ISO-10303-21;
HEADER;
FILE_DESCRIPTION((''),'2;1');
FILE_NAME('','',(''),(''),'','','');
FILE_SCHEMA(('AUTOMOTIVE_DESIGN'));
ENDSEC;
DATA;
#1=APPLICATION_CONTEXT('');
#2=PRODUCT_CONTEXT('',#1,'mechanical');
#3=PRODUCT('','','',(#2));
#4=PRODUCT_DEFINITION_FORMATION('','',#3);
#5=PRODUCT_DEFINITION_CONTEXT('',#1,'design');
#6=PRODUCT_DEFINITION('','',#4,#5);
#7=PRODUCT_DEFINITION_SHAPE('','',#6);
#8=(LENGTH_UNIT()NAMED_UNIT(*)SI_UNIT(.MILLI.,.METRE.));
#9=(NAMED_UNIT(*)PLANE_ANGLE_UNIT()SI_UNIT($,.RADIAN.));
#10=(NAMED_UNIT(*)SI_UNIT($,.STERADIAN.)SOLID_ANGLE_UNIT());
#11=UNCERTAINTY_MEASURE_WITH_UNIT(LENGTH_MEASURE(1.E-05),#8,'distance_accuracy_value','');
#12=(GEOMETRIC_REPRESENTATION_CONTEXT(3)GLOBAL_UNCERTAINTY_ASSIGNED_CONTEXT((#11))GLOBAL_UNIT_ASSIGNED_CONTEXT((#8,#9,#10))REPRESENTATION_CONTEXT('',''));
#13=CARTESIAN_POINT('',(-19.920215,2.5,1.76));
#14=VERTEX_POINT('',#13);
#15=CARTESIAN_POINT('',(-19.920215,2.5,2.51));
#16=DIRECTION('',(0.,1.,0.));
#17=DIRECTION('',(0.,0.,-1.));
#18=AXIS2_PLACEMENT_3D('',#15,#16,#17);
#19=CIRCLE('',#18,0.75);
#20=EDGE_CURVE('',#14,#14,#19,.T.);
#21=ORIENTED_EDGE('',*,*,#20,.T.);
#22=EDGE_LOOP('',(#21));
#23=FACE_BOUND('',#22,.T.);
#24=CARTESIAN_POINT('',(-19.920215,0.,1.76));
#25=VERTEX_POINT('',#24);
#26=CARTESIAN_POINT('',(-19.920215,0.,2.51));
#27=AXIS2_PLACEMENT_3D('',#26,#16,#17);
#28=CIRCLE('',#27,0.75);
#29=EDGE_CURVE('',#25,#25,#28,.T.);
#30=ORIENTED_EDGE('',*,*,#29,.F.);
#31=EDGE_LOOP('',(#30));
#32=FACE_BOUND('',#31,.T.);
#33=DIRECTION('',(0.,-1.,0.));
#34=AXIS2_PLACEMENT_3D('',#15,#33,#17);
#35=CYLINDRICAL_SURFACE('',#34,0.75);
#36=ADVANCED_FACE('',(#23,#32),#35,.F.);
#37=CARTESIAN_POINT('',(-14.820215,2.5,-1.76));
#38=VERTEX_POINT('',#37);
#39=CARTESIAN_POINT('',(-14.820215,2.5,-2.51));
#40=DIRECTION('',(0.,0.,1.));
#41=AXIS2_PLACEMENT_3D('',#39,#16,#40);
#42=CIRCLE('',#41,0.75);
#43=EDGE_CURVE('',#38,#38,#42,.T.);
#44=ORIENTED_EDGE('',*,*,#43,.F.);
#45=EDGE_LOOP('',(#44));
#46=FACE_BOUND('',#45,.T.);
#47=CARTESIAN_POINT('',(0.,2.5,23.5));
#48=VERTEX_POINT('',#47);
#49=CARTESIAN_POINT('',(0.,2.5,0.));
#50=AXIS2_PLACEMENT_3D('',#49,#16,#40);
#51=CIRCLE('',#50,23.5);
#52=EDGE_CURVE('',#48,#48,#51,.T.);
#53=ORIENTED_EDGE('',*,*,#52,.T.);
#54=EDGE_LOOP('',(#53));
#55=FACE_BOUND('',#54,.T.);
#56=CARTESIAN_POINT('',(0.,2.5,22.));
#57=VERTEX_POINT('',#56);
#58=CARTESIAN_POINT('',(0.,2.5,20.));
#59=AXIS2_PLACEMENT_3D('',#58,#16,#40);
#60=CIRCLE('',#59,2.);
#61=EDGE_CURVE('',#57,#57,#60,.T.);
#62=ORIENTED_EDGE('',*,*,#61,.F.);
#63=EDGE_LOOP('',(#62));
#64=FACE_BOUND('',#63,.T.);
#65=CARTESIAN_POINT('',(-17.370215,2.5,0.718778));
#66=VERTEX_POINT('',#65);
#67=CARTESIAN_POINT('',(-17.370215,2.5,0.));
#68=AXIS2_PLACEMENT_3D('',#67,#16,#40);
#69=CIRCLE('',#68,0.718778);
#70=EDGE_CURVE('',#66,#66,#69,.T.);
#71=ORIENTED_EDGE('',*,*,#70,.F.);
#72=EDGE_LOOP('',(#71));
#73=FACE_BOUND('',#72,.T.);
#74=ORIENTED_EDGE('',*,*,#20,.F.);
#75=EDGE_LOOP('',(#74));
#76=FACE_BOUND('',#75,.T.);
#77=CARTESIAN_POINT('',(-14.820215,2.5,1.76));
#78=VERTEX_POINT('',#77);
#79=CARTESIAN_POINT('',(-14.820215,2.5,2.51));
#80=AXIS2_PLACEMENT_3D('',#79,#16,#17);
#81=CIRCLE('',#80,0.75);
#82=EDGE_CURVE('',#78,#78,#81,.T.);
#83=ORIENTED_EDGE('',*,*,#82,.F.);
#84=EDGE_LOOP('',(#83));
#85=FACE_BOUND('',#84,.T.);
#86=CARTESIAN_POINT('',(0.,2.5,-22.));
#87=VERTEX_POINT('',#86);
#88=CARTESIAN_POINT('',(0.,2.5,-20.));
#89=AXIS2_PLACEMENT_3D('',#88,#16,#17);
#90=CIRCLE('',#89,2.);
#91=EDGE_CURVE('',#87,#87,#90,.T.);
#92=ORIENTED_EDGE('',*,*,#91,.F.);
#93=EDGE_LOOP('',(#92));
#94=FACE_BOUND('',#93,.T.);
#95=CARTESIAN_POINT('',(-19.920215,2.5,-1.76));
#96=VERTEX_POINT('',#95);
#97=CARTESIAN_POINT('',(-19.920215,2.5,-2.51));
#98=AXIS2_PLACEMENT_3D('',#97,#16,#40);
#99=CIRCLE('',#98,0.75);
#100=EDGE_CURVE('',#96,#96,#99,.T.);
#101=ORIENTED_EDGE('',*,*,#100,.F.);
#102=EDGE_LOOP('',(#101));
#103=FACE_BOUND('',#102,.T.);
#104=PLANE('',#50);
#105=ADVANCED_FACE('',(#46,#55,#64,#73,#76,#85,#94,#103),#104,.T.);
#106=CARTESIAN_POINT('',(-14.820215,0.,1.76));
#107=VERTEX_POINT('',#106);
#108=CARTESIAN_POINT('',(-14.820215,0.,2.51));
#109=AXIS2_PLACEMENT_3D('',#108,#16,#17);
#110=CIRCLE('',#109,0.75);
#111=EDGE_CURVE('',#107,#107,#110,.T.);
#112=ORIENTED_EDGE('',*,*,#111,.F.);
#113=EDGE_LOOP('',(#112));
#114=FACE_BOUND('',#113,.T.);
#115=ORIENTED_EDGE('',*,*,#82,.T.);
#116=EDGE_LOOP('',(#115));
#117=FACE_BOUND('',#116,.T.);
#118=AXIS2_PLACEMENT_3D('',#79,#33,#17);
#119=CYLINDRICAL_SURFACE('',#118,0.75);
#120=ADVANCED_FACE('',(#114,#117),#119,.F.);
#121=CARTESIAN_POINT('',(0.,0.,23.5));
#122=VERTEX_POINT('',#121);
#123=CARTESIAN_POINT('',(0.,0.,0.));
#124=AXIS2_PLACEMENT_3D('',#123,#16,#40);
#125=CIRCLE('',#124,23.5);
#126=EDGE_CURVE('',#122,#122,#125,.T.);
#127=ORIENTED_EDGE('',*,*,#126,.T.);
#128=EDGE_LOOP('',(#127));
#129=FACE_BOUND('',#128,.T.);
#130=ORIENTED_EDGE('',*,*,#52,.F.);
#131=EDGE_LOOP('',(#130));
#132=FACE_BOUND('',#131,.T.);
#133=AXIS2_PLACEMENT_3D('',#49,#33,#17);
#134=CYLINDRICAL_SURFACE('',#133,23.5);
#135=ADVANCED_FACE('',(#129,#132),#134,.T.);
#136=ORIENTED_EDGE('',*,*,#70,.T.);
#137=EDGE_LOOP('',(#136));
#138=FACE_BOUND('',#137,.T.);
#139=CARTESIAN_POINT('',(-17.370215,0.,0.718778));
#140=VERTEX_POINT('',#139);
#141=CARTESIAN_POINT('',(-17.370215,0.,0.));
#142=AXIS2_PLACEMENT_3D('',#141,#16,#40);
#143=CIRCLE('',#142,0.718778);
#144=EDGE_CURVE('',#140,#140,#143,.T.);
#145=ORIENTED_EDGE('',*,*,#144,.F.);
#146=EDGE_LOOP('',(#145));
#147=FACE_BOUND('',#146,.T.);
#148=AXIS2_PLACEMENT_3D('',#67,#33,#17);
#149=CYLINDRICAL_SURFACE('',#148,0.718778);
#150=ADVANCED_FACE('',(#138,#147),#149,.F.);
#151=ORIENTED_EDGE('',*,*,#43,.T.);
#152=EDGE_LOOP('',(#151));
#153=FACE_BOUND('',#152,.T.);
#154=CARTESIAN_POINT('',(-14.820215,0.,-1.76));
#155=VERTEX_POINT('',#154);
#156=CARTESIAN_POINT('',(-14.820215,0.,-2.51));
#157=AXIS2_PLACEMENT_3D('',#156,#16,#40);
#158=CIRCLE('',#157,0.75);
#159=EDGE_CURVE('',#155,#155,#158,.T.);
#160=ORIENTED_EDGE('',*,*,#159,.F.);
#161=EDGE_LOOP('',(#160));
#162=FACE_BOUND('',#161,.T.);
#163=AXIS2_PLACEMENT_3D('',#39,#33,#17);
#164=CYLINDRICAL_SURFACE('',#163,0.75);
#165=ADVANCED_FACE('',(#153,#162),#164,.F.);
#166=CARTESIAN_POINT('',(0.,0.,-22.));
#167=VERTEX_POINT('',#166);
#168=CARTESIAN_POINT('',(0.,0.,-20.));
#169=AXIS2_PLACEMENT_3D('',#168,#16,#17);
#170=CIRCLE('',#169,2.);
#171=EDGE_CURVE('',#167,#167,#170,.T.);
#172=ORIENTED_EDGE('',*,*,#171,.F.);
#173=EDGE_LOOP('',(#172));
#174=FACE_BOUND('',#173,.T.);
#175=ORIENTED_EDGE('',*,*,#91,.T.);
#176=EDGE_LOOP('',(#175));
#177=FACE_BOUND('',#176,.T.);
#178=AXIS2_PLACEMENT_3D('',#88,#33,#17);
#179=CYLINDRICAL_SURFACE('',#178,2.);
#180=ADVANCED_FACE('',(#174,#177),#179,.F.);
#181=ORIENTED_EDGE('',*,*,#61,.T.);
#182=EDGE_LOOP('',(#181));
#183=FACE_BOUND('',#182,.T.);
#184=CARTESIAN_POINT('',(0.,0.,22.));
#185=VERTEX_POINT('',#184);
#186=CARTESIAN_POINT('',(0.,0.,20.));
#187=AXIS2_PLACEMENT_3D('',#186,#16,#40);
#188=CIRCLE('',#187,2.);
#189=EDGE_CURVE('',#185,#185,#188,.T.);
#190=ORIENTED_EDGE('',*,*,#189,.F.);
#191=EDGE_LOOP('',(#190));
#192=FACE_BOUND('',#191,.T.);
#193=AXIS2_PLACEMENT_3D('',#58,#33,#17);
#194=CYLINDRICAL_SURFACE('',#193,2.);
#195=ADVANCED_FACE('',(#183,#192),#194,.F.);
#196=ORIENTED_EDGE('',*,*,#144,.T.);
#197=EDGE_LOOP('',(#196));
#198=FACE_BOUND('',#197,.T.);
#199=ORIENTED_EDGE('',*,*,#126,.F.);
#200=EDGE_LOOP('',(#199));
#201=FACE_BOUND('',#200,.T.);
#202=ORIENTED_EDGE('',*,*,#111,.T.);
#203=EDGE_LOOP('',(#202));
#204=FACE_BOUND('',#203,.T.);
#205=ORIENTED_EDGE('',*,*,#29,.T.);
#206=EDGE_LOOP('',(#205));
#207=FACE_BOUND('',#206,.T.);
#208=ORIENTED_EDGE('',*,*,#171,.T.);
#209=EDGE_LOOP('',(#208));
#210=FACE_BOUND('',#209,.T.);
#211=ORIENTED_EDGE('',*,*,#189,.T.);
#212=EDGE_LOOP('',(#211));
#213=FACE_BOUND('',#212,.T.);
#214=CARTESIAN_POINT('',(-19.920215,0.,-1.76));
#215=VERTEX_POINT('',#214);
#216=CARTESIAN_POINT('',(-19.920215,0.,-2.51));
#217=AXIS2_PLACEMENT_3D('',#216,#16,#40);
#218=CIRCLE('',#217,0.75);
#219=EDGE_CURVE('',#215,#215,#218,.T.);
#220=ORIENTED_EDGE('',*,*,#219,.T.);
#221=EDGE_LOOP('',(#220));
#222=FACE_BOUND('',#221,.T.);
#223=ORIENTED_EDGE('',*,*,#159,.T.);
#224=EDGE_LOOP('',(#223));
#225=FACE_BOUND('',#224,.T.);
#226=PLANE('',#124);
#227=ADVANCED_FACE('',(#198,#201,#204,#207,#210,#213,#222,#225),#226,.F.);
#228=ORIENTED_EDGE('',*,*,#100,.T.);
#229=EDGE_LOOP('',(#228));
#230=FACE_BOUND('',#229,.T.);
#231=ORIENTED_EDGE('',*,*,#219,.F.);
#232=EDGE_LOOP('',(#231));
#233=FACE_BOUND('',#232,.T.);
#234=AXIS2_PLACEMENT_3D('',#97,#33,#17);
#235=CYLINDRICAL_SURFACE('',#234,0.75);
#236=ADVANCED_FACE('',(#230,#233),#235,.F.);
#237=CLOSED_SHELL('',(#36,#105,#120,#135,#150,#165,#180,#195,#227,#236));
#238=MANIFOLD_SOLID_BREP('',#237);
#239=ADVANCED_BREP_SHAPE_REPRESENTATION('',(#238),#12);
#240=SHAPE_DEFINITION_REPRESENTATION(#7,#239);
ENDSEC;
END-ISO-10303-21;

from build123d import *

# Parameters (mm, degrees)
ESBO_O1_R                = 23.5
ESBO_O1_R_2              = 2
ESBO_O1_R_3              = 0.75
ESBO_O1_R_4              = 0.718777801
RESSALTO_EXTRUS_O1_DEPTH = 2.5


with BuildPart() as part:
    # Esboço1 → Ressalto-extrusão1 (new body)
    with BuildSketch(Plane(origin=(0, 0, 0), x_dir=(1, 0, 0), z_dir=(0, 1, 0))):
        with Locations(Location((0, 0, 0), (0, 0, 270))):
            Circle(ESBO_O1_R)
        with Locations(Location((0, -20, 0), (0, 0, 270))):
            Circle(ESBO_O1_R_2, mode=Mode.SUBTRACT)
        with Locations(Location((0, 20, 0), (0, 0, 90))):
            Circle(ESBO_O1_R_2, mode=Mode.SUBTRACT)
        with Locations(Location((-19.920215214, 2.51, 0), (0, 0, 270))):
            Circle(ESBO_O1_R_3, mode=Mode.SUBTRACT)
        with Locations(Location((-14.820215214, 2.51, 0), (0, 0, 270))):
            Circle(ESBO_O1_R_3, mode=Mode.SUBTRACT)
        with Locations(Location((-14.820215214, -2.51, 0), (0, 0, 90))):
            Circle(ESBO_O1_R_3, mode=Mode.SUBTRACT)
        with Locations(Location((-19.920215214, -2.51, 0), (0, 0, 90))):
            Circle(ESBO_O1_R_3, mode=Mode.SUBTRACT)
        with Locations(Location((-17.370215214, 0, 0), (0, 0, 270))):
            Circle(ESBO_O1_R_4, mode=Mode.SUBTRACT)
    extrude(amount=RESSALTO_EXTRUS_O1_DEPTH)


solid = part.part
